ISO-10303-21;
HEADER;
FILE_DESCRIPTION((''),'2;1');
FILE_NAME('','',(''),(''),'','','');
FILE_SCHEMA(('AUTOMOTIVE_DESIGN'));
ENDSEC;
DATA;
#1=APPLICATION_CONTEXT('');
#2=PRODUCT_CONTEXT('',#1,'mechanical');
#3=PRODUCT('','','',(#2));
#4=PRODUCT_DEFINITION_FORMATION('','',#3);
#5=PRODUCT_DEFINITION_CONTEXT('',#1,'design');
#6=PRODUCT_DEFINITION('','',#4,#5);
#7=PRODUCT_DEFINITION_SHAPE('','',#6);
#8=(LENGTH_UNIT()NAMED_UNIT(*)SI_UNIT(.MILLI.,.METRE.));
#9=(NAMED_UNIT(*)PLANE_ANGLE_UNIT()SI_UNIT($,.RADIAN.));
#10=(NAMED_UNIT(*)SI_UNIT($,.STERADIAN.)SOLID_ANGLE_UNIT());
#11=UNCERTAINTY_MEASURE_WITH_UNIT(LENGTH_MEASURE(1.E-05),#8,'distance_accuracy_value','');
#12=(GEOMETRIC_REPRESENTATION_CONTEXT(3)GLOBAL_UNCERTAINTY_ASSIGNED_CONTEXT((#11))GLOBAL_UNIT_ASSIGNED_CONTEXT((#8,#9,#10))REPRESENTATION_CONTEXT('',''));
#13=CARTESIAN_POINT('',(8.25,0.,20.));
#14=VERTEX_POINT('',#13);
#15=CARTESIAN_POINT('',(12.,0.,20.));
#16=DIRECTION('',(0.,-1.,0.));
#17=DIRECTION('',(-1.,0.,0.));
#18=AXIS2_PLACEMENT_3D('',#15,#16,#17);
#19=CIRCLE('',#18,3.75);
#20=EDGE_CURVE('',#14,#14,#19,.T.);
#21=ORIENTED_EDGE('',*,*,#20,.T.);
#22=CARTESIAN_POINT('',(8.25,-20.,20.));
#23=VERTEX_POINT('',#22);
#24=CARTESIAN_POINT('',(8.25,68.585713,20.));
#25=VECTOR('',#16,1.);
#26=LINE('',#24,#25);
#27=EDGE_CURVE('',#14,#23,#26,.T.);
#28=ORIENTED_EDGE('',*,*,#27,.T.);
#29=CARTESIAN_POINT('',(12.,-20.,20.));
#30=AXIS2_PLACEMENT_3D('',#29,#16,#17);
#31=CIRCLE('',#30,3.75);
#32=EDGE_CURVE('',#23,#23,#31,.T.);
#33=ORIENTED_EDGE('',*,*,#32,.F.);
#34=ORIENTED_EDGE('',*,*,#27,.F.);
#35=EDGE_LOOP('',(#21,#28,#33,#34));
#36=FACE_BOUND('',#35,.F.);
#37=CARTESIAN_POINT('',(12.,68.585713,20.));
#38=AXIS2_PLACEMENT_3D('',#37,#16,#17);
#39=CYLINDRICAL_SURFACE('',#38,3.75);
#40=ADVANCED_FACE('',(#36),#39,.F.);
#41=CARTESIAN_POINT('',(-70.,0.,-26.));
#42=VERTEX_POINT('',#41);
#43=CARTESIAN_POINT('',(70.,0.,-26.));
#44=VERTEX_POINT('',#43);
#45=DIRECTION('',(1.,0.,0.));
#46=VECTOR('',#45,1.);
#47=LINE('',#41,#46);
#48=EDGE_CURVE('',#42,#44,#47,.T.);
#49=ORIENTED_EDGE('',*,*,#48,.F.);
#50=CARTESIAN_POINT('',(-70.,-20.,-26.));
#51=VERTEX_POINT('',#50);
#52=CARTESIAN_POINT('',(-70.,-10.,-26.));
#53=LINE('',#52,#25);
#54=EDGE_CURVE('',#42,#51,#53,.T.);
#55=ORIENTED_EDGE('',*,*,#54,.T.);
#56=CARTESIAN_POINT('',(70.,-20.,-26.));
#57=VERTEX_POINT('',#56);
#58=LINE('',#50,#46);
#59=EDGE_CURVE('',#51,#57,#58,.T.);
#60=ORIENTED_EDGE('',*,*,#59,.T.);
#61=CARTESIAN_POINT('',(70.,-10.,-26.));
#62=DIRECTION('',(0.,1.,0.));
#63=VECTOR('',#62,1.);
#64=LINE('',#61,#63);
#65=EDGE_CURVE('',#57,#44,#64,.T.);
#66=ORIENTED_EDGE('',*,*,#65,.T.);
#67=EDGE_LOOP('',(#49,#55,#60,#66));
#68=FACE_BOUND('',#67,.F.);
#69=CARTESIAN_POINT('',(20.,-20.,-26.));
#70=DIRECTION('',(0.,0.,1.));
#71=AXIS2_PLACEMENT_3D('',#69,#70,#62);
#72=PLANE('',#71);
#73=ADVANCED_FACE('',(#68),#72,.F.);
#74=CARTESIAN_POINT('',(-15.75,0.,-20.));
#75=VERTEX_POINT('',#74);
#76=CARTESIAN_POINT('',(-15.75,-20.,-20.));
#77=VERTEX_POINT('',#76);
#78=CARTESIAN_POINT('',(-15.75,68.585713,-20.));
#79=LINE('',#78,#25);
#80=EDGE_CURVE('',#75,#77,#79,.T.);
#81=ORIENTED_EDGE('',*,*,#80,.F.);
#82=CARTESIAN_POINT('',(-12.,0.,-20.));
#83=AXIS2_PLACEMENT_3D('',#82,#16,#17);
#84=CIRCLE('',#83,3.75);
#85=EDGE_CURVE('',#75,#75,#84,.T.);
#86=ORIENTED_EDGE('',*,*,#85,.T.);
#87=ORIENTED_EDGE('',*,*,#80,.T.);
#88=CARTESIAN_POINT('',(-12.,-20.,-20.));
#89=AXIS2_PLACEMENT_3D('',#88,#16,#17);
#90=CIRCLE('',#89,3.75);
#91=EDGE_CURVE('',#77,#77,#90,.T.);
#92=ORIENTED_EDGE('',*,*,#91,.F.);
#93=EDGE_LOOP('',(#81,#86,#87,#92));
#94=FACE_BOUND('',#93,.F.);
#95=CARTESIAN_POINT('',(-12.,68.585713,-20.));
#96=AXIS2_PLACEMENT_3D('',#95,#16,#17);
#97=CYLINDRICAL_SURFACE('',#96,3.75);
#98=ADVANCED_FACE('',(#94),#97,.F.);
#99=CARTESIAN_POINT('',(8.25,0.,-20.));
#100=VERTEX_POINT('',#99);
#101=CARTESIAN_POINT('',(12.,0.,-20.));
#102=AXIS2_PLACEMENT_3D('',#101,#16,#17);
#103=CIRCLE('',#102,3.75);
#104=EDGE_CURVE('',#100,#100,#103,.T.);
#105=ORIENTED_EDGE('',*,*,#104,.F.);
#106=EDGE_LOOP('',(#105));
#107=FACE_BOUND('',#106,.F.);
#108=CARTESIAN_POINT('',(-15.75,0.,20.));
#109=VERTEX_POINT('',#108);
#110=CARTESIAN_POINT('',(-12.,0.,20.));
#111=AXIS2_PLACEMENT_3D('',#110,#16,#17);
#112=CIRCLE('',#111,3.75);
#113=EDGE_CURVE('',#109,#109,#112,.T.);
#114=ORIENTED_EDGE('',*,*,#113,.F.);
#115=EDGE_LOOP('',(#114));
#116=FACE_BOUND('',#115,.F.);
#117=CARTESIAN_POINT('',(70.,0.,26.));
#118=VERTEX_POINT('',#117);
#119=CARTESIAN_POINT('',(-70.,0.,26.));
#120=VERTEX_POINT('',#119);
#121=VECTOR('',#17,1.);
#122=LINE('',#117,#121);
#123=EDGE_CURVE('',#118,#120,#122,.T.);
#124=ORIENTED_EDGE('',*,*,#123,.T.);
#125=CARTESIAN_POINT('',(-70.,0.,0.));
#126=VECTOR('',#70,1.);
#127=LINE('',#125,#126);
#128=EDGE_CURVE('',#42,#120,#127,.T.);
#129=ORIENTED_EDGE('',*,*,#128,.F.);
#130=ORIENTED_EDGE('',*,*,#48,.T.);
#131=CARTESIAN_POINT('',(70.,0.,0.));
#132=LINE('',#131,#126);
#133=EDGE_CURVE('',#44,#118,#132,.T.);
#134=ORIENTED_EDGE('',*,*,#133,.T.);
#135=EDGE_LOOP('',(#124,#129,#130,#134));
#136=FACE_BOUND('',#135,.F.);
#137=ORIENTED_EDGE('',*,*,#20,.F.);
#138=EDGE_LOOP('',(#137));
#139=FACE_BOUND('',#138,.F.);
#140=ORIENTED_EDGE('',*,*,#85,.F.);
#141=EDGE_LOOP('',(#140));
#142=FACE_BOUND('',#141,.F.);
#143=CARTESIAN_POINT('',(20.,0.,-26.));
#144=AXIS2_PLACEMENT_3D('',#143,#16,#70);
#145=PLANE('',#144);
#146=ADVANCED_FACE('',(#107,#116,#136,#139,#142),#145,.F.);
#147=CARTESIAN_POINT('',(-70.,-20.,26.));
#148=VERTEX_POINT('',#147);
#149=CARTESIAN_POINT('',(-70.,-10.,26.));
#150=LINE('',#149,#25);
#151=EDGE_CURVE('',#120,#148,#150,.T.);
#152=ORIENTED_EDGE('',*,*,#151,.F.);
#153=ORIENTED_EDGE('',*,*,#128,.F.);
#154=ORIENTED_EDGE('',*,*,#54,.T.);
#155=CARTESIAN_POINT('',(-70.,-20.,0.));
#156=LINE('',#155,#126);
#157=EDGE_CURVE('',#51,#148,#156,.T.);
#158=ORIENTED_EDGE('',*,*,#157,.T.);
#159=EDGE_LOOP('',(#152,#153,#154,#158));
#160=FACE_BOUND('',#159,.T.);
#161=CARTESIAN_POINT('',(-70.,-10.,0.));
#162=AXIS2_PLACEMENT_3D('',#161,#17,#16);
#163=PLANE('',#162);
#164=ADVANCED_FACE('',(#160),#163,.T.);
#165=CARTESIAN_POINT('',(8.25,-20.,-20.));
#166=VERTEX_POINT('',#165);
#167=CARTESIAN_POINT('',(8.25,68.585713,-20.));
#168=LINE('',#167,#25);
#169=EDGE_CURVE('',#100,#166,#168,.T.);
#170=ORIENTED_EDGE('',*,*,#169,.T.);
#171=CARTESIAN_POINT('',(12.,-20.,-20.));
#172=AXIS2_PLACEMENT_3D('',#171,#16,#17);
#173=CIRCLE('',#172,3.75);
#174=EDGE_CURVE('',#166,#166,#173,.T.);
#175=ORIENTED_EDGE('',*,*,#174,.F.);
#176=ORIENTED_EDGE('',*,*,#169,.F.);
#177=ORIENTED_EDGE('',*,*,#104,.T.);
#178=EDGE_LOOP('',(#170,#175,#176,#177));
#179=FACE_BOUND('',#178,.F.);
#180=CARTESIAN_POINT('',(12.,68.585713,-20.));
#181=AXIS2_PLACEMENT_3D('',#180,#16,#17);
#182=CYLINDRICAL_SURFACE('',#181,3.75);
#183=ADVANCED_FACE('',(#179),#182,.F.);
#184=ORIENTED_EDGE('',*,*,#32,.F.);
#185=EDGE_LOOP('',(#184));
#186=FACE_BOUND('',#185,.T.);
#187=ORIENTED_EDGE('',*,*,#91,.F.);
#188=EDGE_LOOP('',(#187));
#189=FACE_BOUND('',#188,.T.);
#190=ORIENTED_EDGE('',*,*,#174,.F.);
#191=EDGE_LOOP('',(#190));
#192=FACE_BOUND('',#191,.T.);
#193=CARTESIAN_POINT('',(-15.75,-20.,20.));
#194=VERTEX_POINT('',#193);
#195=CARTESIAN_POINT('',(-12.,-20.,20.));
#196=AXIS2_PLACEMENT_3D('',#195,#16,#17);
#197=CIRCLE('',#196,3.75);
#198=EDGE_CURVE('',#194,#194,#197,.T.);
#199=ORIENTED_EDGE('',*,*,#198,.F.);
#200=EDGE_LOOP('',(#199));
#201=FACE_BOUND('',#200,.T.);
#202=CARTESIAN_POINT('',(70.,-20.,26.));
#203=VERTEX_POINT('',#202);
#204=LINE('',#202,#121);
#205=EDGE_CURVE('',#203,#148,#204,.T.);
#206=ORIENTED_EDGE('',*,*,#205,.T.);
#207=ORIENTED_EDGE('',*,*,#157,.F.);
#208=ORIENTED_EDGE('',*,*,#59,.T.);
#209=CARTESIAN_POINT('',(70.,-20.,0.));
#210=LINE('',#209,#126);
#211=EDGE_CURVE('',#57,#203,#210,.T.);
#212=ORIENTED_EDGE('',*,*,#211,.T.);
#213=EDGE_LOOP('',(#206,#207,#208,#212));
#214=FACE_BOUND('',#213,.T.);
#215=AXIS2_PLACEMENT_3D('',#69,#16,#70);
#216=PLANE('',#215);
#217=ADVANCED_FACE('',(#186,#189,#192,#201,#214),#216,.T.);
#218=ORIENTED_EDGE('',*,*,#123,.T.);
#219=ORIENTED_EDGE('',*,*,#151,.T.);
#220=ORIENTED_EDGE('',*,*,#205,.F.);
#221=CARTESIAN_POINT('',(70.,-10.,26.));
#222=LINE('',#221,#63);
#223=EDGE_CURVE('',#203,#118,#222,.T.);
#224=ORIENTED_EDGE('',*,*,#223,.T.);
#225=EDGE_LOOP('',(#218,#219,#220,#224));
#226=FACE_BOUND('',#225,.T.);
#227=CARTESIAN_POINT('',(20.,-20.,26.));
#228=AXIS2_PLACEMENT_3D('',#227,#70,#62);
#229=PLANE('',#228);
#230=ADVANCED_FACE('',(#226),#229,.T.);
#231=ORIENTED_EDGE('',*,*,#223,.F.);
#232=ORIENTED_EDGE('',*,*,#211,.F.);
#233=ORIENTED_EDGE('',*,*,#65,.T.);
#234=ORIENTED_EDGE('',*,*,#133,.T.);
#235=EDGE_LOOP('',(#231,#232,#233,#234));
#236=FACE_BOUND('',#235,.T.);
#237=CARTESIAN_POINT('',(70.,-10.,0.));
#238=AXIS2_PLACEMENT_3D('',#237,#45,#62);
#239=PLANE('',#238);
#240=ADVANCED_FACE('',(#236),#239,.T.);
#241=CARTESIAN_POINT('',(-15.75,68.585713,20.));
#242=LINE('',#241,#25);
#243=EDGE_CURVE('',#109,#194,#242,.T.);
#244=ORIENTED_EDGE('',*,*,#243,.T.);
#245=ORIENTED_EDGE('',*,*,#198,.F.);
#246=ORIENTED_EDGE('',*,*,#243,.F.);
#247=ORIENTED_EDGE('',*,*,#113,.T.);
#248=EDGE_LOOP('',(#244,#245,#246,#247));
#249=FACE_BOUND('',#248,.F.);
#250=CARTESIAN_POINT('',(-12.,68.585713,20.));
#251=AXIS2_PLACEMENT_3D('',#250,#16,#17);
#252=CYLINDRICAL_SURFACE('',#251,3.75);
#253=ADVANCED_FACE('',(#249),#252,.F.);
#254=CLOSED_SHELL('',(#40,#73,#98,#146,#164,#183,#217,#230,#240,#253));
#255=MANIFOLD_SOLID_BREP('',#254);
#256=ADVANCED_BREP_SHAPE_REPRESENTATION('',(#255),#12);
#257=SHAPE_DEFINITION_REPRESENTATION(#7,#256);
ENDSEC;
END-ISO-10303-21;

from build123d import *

# Parameters (mm, degrees)
F0_W     = 40
F0_H     = 52
F1_DEPTH = 20
F2_D     = 7.5
F3_W     = 20
F3_H     = 52
F4_DEPTH = 50
F5_W     = 20
F5_H     = 52
F6_DEPTH = 50


with BuildPart() as f1:
    # F0 (on Front) → F1 (new body)
    with BuildSketch(Plane.XZ):
        Rectangle(F0_W, F0_H)
    extrude(amount=F1_DEPTH)

    # F2 (through all)
    with Locations(Plane(origin=(0, 0, 0), x_dir=(1, 0, 0), z_dir=(0, 1, 0))):
        with Locations((12, 20), (-12, 20), (12, -20), (-12, -20)):
            Hole(F2_D / 2)

    # F3 (on face) → F4 (join)
    with BuildSketch(Plane(origin=(-20, 0, 0), x_dir=(0, -1, 0), z_dir=(-1, 0, 0))):
        with Locations((10, 0)):
            Rectangle(F3_W, F3_H)
    extrude(amount=F4_DEPTH)

    # F5 (on face) → F6 (join)
    with BuildSketch(Plane.YZ.offset(20)):
        with Locations((-10, 0)):
            Rectangle(F5_W, F5_H)
    extrude(amount=F6_DEPTH)


solid = f1.part
